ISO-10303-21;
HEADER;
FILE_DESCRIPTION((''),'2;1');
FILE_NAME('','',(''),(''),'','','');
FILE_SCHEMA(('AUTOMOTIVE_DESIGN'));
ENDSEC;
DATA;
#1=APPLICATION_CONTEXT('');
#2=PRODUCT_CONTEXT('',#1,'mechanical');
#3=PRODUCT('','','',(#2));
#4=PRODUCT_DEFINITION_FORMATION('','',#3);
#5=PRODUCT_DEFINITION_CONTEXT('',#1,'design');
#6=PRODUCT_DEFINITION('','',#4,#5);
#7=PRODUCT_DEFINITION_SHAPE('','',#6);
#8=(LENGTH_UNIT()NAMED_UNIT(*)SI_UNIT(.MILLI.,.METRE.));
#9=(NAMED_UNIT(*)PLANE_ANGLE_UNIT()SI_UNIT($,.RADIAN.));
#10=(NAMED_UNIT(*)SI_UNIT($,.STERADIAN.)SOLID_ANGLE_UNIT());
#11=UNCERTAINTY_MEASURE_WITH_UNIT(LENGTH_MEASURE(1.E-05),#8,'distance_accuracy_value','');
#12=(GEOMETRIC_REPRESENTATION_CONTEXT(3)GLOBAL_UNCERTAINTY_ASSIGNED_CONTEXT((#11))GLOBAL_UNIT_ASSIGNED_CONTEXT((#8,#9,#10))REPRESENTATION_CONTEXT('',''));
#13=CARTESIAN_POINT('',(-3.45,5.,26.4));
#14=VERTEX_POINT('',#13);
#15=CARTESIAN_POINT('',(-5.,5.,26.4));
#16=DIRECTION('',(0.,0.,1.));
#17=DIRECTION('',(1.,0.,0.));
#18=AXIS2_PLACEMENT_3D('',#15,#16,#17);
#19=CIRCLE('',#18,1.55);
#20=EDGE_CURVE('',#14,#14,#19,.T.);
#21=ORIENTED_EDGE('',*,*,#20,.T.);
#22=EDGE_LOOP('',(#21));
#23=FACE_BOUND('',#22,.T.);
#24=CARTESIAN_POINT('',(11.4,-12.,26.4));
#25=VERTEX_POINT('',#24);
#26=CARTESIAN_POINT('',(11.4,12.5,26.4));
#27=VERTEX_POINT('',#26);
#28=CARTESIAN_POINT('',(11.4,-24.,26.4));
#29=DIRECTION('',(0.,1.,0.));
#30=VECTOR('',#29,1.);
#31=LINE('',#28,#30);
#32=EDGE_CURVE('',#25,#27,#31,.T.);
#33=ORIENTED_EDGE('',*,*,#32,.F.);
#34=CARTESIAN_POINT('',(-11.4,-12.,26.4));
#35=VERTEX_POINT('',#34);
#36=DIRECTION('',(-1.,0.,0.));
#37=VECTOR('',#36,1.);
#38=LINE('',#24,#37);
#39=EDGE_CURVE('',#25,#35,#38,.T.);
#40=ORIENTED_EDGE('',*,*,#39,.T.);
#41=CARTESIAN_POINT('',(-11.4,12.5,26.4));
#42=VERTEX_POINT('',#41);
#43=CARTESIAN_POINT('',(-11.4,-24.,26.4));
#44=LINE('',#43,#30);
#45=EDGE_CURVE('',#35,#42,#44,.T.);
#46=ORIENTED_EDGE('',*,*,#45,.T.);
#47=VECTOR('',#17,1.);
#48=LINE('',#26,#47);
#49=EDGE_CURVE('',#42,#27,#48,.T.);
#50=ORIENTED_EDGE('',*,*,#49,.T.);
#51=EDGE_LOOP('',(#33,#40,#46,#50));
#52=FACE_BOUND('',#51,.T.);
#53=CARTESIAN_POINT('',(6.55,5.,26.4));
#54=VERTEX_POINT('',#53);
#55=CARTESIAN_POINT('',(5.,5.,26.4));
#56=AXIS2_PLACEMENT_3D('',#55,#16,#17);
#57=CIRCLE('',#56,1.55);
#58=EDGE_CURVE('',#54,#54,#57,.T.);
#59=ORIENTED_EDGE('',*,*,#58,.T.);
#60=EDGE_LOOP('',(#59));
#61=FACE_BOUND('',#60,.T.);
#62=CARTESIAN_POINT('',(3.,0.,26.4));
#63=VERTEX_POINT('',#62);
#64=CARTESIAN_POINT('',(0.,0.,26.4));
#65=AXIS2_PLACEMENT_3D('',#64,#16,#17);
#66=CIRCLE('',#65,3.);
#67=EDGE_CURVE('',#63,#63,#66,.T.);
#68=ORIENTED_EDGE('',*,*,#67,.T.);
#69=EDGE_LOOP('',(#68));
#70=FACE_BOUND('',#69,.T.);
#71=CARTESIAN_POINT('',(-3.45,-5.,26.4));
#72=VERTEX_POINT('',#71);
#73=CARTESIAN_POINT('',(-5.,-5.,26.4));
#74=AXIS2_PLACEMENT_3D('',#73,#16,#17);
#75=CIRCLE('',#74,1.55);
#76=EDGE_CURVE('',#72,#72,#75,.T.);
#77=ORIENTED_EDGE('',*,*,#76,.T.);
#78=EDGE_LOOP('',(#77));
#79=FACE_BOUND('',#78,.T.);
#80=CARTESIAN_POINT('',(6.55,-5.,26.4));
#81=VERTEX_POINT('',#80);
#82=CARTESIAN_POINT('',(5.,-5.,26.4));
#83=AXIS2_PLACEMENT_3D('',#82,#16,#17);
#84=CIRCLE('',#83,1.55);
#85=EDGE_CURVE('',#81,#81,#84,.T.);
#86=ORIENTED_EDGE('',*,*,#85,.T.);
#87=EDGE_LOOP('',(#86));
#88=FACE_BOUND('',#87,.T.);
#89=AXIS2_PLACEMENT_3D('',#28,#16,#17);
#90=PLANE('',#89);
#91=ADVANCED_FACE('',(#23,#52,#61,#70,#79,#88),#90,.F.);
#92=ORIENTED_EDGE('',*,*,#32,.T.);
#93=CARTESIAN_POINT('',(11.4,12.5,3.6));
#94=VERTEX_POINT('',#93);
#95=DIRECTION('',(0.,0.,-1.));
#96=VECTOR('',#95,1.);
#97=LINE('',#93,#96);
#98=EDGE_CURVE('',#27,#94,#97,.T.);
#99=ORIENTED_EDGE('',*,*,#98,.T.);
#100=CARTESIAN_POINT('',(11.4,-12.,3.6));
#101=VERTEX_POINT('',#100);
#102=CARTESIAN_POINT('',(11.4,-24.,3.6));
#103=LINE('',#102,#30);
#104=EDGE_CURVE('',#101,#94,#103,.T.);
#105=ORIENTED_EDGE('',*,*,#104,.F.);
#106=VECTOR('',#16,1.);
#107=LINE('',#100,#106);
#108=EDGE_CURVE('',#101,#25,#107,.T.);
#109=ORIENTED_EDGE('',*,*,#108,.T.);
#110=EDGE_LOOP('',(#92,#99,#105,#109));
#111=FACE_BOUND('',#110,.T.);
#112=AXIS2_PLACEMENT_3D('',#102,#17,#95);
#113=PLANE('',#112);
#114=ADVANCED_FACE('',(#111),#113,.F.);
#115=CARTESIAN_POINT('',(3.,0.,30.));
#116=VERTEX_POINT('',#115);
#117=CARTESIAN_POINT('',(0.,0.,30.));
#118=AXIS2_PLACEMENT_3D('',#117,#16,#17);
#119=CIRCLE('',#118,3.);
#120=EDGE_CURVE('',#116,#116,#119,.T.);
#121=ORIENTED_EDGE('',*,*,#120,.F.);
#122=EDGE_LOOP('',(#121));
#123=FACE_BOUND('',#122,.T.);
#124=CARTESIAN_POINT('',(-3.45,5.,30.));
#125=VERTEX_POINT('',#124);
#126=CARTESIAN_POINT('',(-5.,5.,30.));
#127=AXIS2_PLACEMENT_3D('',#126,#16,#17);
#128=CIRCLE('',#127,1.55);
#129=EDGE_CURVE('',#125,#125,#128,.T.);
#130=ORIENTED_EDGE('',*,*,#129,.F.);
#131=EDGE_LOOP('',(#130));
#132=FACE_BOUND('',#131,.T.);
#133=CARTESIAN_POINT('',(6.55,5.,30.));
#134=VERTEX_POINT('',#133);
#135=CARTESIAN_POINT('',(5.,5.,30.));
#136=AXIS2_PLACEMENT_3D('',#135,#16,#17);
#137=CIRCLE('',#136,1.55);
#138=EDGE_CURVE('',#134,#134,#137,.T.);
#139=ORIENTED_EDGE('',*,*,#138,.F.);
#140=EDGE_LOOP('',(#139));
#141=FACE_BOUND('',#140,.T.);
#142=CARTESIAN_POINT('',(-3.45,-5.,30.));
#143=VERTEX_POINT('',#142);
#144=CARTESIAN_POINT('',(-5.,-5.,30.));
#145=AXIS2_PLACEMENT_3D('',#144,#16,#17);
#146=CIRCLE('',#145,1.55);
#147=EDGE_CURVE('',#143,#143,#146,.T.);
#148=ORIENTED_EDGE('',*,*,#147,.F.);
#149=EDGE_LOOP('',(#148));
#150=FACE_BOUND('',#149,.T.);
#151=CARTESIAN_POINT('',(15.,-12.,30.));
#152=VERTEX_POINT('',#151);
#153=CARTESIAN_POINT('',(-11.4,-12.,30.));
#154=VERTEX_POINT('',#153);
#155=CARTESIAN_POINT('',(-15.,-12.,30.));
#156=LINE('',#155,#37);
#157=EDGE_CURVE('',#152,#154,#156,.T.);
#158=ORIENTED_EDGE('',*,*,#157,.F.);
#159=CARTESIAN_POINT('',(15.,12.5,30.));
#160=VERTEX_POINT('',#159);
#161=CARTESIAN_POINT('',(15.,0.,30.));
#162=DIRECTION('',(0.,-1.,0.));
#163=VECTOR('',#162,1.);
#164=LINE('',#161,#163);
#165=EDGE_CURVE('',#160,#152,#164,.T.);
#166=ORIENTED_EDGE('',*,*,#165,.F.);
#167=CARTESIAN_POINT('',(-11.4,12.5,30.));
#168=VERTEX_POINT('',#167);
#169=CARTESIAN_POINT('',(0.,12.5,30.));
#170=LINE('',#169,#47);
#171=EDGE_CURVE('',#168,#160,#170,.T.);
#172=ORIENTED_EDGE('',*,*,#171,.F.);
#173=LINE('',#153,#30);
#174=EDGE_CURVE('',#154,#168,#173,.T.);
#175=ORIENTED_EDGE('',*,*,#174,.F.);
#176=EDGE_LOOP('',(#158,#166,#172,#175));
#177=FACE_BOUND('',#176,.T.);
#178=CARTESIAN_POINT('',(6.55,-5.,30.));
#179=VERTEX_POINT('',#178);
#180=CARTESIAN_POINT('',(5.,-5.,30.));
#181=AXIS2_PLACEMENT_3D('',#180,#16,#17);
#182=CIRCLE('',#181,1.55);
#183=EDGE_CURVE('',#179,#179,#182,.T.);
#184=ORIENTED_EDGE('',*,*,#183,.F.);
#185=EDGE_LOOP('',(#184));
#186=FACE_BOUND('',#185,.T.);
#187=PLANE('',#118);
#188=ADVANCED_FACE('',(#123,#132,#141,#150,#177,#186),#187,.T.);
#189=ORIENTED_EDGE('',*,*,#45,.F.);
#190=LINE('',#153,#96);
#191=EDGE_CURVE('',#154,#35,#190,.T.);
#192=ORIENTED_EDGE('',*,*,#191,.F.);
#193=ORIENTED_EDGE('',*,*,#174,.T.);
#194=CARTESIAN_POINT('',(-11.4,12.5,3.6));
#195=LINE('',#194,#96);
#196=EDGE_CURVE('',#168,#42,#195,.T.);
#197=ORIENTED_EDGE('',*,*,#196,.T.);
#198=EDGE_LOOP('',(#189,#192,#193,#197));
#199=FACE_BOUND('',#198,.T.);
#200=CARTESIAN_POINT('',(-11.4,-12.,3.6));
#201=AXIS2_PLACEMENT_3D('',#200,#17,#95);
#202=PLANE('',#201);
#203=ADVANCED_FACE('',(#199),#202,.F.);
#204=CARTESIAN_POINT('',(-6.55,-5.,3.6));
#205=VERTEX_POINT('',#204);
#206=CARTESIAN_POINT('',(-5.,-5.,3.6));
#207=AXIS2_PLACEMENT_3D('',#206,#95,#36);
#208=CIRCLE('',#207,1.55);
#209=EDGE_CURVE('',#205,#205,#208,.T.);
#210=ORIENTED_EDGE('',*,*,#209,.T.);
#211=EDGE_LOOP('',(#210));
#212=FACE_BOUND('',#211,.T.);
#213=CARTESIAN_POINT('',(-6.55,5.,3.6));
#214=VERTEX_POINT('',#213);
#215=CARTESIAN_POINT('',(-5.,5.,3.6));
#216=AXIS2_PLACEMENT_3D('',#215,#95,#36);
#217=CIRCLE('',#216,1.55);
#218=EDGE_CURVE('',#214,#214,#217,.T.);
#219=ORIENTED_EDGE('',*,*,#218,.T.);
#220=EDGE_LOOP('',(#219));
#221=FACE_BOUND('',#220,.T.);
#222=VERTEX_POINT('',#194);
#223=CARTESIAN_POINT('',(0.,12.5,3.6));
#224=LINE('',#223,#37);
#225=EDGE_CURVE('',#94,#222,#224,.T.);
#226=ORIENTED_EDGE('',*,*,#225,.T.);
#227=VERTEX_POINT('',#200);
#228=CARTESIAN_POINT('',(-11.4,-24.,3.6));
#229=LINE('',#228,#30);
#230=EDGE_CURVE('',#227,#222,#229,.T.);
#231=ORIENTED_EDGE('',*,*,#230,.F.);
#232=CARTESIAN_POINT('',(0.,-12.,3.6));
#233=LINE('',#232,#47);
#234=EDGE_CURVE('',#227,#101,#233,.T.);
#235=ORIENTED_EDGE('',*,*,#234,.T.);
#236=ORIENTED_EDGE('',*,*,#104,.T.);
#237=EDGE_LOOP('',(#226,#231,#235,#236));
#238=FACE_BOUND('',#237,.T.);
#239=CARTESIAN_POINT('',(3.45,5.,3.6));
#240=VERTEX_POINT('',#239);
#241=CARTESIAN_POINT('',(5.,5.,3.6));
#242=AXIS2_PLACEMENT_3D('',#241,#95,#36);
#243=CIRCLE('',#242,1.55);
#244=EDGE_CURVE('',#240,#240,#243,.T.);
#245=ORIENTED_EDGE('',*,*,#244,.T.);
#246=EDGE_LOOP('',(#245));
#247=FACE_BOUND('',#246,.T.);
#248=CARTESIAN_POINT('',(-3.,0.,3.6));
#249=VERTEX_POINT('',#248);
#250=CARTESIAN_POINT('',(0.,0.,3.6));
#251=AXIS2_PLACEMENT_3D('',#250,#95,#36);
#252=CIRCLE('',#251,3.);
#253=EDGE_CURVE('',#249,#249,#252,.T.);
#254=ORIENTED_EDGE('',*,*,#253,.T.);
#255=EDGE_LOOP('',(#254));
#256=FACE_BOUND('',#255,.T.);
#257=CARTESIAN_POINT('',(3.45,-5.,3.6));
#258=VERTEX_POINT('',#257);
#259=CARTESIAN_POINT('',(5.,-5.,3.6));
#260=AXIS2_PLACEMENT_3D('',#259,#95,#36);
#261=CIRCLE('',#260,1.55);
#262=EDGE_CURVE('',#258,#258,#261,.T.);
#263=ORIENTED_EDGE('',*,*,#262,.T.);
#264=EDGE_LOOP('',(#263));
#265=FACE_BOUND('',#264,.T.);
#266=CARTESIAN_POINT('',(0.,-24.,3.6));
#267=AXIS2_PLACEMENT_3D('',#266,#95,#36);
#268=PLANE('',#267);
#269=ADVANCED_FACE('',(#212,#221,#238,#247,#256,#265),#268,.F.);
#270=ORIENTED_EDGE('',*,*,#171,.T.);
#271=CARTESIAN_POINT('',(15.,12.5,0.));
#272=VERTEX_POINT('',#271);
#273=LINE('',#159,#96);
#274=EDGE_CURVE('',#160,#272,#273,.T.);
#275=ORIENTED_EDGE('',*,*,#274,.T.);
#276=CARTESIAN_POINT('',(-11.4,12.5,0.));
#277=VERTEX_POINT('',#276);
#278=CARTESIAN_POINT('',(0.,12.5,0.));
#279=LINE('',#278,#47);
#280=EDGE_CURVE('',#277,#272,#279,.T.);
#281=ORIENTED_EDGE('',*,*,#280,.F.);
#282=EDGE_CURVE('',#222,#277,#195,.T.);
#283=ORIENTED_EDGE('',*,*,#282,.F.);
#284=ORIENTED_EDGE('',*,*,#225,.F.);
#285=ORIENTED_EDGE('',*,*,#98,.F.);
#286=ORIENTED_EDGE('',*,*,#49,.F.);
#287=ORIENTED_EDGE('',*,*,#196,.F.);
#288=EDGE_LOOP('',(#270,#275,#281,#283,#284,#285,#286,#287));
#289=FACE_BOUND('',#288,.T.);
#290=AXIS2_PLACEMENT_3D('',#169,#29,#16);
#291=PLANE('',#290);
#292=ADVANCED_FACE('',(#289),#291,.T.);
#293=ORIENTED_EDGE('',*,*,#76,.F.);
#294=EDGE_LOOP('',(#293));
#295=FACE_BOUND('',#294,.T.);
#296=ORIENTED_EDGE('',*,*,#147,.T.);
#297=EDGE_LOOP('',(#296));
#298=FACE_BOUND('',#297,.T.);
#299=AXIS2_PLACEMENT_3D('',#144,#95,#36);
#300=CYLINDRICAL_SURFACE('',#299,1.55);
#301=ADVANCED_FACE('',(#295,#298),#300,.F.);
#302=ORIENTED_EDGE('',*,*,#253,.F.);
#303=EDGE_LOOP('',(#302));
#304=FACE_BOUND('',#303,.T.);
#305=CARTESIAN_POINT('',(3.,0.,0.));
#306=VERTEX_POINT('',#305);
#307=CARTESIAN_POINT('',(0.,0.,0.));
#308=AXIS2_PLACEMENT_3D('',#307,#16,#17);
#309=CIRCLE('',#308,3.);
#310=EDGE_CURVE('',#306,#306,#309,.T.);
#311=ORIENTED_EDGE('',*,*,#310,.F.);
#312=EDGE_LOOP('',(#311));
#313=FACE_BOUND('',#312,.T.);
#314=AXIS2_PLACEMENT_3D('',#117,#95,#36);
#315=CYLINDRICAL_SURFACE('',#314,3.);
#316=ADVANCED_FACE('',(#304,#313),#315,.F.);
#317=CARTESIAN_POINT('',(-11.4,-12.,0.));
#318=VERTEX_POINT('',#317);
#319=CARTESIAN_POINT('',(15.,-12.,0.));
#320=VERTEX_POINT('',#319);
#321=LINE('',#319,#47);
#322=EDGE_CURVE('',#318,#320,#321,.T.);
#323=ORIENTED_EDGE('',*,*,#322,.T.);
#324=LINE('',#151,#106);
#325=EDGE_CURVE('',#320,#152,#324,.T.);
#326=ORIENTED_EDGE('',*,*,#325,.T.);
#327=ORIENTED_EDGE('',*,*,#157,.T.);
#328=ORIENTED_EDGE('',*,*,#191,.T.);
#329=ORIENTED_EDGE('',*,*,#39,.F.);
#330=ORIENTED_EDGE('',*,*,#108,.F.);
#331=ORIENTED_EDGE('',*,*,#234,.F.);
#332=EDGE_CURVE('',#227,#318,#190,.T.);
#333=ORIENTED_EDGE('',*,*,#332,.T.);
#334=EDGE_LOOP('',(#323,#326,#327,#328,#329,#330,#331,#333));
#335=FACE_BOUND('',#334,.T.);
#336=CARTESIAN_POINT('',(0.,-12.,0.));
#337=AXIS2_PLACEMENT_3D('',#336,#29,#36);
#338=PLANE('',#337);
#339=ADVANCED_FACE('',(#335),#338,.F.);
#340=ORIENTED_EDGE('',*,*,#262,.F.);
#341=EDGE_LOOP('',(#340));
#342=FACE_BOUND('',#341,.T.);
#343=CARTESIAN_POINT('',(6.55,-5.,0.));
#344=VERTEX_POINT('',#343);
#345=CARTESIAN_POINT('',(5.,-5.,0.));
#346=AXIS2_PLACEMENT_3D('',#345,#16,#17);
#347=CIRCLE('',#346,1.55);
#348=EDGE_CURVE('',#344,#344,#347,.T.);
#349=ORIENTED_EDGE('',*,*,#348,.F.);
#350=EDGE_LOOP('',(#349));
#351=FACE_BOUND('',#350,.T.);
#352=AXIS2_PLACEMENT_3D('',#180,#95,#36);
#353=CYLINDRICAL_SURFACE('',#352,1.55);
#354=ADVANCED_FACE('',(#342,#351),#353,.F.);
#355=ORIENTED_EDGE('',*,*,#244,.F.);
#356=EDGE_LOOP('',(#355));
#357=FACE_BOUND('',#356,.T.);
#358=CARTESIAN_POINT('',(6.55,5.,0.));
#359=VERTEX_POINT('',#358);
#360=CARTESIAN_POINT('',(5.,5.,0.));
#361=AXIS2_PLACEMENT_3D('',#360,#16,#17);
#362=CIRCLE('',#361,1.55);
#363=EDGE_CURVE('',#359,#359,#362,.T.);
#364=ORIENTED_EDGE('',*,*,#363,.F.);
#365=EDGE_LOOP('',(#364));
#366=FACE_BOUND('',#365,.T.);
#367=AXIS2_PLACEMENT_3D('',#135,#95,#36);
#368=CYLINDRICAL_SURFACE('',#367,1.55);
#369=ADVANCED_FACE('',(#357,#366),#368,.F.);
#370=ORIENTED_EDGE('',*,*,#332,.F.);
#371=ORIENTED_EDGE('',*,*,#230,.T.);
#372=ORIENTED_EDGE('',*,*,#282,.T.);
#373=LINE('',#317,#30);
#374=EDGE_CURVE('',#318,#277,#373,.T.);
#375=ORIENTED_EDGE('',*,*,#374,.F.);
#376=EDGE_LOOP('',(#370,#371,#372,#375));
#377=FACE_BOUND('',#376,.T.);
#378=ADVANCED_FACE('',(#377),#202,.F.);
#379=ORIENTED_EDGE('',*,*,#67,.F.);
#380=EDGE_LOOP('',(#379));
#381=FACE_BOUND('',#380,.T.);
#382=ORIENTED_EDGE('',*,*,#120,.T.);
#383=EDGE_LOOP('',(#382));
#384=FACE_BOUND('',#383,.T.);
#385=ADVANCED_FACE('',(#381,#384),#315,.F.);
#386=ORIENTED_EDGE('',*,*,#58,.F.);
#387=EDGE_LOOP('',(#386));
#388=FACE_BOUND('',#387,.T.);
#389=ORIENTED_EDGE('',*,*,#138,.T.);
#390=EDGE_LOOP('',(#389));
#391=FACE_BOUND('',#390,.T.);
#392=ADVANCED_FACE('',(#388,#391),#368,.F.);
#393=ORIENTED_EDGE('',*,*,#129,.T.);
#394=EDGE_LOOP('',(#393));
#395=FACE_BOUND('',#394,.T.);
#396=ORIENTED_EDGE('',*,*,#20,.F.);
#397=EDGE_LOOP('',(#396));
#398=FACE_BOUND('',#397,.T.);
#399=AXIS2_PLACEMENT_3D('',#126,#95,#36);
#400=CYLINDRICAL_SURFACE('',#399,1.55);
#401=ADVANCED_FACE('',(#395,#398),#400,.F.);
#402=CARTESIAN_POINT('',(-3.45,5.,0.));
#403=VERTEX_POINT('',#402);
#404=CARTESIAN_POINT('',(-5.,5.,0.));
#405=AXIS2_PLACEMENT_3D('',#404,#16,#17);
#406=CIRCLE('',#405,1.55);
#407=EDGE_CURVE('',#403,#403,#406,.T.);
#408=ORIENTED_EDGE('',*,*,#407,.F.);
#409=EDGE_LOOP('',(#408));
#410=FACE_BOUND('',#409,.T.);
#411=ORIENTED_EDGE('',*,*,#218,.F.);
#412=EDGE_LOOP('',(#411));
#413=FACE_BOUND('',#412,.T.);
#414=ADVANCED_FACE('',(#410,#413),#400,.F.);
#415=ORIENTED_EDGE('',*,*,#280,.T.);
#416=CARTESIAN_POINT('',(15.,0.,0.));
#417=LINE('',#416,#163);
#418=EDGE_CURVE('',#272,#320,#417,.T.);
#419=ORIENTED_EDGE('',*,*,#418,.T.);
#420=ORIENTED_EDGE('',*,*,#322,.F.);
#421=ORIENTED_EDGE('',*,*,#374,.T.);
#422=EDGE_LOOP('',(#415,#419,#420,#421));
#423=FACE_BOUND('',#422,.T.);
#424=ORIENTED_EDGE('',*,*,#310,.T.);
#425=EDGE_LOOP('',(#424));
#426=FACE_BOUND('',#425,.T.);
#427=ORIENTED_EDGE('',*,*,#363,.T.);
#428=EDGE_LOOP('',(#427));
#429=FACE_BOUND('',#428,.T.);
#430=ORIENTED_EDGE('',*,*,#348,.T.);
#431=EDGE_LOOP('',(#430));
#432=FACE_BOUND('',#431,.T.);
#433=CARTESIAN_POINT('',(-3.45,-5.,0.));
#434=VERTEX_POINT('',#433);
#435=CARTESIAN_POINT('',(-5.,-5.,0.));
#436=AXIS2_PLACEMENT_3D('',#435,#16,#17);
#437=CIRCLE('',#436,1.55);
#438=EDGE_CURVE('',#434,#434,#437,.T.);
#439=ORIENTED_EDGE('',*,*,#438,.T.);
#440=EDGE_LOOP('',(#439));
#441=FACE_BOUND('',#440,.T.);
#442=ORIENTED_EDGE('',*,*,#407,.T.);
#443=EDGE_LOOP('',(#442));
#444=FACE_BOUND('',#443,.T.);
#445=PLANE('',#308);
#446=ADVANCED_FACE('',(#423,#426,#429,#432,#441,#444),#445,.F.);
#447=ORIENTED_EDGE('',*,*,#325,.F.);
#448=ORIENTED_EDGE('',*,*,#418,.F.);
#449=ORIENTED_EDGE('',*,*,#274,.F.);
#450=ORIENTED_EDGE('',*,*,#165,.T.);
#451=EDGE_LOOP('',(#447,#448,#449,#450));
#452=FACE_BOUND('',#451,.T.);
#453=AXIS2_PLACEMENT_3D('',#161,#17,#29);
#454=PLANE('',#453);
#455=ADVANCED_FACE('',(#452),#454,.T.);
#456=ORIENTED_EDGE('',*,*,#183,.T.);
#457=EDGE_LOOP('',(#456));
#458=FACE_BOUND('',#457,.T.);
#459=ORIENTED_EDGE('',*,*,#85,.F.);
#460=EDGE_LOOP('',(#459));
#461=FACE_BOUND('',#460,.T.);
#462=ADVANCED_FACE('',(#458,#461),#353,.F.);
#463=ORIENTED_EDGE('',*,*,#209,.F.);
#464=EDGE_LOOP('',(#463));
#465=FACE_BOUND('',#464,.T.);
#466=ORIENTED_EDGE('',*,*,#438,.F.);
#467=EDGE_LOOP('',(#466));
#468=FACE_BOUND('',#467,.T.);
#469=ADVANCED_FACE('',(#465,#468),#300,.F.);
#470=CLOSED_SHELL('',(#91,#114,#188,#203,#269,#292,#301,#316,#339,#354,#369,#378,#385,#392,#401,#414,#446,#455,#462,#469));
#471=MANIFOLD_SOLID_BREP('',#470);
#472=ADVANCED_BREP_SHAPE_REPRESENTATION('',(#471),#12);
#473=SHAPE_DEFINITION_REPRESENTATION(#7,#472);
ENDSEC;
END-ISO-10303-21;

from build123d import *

# Parameters (mm, degrees)
SKETCH_1_R          = 3
SKETCH_1_R_2        = 1.55
EXTRUDE_1_DEPTH     = 30
CUT_EXTRUDE_1_DEPTH = 37.5
SKETCH_4_W          = 30
SKETCH_4_H          = 30
CUT_EXTRUDE_3_DEPTH = 12
EXTRUDE_2_DEPTH     = 55
SKETCH_6_R          = 2.3
SKETCH_6_R_2        = 5
SKETCH_6_R_3        = 6
SKETCH_6_R_4        = 4
CUT_EXTRUDE_4_DEPTH = 25.5
FILLET_2_R          = 2
CUT_EXTRUDE_5_DEPTH = 25.5


with BuildPart() as part:
    # 草图1 → 凸台-拉伸1 (new body)
    with BuildSketch(Plane.XY):
        Polygon((15, 0), (15, 12.5), (0, 12.5), (-15, 12.5), (-15, -24), (15, -24), align=None)
        Circle(SKETCH_1_R, mode=Mode.SUBTRACT)
        with Locations((-5, 5)):
            Circle(SKETCH_1_R_2, mode=Mode.SUBTRACT)
        with Locations((-5, -5)):
            Circle(SKETCH_1_R_2, mode=Mode.SUBTRACT)
        with Locations((5, -5)):
            Circle(SKETCH_1_R_2, mode=Mode.SUBTRACT)
        with Locations((5, 5)):
            Circle(SKETCH_1_R_2, mode=Mode.SUBTRACT)
    extrude(amount=EXTRUDE_1_DEPTH)

    # 草图2 → 切除-拉伸1 (cut, through all)
    with BuildSketch(Plane(origin=(0, 12.5, 0), x_dir=(1, 0, 0), z_dir=(0, 1, 0))):
        Polygon((-11.4, -15), (-11.4, -3.6), (0, -3.6), (11.4, -3.6), (11.4, -26.4), (0, -26.4), (-11.4, -26.4), align=None)
    extrude(amount=-CUT_EXTRUDE_1_DEPTH, mode=Mode.SUBTRACT)

    # 草图4 → 切除-拉伸3 (cut)
    with BuildSketch(Plane.XZ.offset(24)):
        with Locations((0, 15)):
            Rectangle(SKETCH_4_W, SKETCH_4_H)
    extrude(amount=-CUT_EXTRUDE_3_DEPTH, mode=Mode.SUBTRACT)

    # 草图5 → 凸台-拉伸2 (add)
    with BuildSketch(Plane.ZY.offset(15)):
        Polygon((30, -12), (30, 11.596689914), (30, 12.5), (0, 12.5), (0, -12), align=None)
    extrude(amount=EXTRUDE_2_DEPTH)

    # 草图6 → 切除-拉伸4 (cut, through all)
    with BuildSketch(Plane(origin=(0, 12.5, 0), x_dir=(1, 0, 0), z_dir=(0, 1, 0))):
        Polygon((-70, -15), (-11.4, 0), (-70, 0), align=None)
        Polygon((-11.4, -30), (-70, -15), (-70, -30), align=None)
        with Locations((-56.4, -15)):
            Circle(SKETCH_6_R)
        with Locations((-33.9, -15)):
            Circle(SKETCH_6_R_2)
        with Locations((-22.125549979, -15)):
            Circle(SKETCH_6_R_3)
        with Locations((-46.110471912, -15)):
            Circle(SKETCH_6_R_4)
    extrude(amount=-CUT_EXTRUDE_4_DEPTH, mode=Mode.SUBTRACT)

    # 圆角2
    fillet_2_edges = [part.edges().sort_by_distance(p)[0] for p in [
        (-70, 0.25, 15),
    ]]
    fillet(fillet_2_edges, radius=FILLET_2_R)

    # 草图7 → 切除-拉伸5 (cut, through all)
    with BuildSketch(Plane(origin=(0, 12.5, 0), x_dir=(1, 0, 0), z_dir=(0, 1, 0))):
        Polygon((-11.4, -3.6), (-11.4, 0), (-66.954884603, 0), (-66.4, -30), (-11.4, -30), align=None)
    extrude(amount=-CUT_EXTRUDE_5_DEPTH, mode=Mode.SUBTRACT)


solid = part.part
